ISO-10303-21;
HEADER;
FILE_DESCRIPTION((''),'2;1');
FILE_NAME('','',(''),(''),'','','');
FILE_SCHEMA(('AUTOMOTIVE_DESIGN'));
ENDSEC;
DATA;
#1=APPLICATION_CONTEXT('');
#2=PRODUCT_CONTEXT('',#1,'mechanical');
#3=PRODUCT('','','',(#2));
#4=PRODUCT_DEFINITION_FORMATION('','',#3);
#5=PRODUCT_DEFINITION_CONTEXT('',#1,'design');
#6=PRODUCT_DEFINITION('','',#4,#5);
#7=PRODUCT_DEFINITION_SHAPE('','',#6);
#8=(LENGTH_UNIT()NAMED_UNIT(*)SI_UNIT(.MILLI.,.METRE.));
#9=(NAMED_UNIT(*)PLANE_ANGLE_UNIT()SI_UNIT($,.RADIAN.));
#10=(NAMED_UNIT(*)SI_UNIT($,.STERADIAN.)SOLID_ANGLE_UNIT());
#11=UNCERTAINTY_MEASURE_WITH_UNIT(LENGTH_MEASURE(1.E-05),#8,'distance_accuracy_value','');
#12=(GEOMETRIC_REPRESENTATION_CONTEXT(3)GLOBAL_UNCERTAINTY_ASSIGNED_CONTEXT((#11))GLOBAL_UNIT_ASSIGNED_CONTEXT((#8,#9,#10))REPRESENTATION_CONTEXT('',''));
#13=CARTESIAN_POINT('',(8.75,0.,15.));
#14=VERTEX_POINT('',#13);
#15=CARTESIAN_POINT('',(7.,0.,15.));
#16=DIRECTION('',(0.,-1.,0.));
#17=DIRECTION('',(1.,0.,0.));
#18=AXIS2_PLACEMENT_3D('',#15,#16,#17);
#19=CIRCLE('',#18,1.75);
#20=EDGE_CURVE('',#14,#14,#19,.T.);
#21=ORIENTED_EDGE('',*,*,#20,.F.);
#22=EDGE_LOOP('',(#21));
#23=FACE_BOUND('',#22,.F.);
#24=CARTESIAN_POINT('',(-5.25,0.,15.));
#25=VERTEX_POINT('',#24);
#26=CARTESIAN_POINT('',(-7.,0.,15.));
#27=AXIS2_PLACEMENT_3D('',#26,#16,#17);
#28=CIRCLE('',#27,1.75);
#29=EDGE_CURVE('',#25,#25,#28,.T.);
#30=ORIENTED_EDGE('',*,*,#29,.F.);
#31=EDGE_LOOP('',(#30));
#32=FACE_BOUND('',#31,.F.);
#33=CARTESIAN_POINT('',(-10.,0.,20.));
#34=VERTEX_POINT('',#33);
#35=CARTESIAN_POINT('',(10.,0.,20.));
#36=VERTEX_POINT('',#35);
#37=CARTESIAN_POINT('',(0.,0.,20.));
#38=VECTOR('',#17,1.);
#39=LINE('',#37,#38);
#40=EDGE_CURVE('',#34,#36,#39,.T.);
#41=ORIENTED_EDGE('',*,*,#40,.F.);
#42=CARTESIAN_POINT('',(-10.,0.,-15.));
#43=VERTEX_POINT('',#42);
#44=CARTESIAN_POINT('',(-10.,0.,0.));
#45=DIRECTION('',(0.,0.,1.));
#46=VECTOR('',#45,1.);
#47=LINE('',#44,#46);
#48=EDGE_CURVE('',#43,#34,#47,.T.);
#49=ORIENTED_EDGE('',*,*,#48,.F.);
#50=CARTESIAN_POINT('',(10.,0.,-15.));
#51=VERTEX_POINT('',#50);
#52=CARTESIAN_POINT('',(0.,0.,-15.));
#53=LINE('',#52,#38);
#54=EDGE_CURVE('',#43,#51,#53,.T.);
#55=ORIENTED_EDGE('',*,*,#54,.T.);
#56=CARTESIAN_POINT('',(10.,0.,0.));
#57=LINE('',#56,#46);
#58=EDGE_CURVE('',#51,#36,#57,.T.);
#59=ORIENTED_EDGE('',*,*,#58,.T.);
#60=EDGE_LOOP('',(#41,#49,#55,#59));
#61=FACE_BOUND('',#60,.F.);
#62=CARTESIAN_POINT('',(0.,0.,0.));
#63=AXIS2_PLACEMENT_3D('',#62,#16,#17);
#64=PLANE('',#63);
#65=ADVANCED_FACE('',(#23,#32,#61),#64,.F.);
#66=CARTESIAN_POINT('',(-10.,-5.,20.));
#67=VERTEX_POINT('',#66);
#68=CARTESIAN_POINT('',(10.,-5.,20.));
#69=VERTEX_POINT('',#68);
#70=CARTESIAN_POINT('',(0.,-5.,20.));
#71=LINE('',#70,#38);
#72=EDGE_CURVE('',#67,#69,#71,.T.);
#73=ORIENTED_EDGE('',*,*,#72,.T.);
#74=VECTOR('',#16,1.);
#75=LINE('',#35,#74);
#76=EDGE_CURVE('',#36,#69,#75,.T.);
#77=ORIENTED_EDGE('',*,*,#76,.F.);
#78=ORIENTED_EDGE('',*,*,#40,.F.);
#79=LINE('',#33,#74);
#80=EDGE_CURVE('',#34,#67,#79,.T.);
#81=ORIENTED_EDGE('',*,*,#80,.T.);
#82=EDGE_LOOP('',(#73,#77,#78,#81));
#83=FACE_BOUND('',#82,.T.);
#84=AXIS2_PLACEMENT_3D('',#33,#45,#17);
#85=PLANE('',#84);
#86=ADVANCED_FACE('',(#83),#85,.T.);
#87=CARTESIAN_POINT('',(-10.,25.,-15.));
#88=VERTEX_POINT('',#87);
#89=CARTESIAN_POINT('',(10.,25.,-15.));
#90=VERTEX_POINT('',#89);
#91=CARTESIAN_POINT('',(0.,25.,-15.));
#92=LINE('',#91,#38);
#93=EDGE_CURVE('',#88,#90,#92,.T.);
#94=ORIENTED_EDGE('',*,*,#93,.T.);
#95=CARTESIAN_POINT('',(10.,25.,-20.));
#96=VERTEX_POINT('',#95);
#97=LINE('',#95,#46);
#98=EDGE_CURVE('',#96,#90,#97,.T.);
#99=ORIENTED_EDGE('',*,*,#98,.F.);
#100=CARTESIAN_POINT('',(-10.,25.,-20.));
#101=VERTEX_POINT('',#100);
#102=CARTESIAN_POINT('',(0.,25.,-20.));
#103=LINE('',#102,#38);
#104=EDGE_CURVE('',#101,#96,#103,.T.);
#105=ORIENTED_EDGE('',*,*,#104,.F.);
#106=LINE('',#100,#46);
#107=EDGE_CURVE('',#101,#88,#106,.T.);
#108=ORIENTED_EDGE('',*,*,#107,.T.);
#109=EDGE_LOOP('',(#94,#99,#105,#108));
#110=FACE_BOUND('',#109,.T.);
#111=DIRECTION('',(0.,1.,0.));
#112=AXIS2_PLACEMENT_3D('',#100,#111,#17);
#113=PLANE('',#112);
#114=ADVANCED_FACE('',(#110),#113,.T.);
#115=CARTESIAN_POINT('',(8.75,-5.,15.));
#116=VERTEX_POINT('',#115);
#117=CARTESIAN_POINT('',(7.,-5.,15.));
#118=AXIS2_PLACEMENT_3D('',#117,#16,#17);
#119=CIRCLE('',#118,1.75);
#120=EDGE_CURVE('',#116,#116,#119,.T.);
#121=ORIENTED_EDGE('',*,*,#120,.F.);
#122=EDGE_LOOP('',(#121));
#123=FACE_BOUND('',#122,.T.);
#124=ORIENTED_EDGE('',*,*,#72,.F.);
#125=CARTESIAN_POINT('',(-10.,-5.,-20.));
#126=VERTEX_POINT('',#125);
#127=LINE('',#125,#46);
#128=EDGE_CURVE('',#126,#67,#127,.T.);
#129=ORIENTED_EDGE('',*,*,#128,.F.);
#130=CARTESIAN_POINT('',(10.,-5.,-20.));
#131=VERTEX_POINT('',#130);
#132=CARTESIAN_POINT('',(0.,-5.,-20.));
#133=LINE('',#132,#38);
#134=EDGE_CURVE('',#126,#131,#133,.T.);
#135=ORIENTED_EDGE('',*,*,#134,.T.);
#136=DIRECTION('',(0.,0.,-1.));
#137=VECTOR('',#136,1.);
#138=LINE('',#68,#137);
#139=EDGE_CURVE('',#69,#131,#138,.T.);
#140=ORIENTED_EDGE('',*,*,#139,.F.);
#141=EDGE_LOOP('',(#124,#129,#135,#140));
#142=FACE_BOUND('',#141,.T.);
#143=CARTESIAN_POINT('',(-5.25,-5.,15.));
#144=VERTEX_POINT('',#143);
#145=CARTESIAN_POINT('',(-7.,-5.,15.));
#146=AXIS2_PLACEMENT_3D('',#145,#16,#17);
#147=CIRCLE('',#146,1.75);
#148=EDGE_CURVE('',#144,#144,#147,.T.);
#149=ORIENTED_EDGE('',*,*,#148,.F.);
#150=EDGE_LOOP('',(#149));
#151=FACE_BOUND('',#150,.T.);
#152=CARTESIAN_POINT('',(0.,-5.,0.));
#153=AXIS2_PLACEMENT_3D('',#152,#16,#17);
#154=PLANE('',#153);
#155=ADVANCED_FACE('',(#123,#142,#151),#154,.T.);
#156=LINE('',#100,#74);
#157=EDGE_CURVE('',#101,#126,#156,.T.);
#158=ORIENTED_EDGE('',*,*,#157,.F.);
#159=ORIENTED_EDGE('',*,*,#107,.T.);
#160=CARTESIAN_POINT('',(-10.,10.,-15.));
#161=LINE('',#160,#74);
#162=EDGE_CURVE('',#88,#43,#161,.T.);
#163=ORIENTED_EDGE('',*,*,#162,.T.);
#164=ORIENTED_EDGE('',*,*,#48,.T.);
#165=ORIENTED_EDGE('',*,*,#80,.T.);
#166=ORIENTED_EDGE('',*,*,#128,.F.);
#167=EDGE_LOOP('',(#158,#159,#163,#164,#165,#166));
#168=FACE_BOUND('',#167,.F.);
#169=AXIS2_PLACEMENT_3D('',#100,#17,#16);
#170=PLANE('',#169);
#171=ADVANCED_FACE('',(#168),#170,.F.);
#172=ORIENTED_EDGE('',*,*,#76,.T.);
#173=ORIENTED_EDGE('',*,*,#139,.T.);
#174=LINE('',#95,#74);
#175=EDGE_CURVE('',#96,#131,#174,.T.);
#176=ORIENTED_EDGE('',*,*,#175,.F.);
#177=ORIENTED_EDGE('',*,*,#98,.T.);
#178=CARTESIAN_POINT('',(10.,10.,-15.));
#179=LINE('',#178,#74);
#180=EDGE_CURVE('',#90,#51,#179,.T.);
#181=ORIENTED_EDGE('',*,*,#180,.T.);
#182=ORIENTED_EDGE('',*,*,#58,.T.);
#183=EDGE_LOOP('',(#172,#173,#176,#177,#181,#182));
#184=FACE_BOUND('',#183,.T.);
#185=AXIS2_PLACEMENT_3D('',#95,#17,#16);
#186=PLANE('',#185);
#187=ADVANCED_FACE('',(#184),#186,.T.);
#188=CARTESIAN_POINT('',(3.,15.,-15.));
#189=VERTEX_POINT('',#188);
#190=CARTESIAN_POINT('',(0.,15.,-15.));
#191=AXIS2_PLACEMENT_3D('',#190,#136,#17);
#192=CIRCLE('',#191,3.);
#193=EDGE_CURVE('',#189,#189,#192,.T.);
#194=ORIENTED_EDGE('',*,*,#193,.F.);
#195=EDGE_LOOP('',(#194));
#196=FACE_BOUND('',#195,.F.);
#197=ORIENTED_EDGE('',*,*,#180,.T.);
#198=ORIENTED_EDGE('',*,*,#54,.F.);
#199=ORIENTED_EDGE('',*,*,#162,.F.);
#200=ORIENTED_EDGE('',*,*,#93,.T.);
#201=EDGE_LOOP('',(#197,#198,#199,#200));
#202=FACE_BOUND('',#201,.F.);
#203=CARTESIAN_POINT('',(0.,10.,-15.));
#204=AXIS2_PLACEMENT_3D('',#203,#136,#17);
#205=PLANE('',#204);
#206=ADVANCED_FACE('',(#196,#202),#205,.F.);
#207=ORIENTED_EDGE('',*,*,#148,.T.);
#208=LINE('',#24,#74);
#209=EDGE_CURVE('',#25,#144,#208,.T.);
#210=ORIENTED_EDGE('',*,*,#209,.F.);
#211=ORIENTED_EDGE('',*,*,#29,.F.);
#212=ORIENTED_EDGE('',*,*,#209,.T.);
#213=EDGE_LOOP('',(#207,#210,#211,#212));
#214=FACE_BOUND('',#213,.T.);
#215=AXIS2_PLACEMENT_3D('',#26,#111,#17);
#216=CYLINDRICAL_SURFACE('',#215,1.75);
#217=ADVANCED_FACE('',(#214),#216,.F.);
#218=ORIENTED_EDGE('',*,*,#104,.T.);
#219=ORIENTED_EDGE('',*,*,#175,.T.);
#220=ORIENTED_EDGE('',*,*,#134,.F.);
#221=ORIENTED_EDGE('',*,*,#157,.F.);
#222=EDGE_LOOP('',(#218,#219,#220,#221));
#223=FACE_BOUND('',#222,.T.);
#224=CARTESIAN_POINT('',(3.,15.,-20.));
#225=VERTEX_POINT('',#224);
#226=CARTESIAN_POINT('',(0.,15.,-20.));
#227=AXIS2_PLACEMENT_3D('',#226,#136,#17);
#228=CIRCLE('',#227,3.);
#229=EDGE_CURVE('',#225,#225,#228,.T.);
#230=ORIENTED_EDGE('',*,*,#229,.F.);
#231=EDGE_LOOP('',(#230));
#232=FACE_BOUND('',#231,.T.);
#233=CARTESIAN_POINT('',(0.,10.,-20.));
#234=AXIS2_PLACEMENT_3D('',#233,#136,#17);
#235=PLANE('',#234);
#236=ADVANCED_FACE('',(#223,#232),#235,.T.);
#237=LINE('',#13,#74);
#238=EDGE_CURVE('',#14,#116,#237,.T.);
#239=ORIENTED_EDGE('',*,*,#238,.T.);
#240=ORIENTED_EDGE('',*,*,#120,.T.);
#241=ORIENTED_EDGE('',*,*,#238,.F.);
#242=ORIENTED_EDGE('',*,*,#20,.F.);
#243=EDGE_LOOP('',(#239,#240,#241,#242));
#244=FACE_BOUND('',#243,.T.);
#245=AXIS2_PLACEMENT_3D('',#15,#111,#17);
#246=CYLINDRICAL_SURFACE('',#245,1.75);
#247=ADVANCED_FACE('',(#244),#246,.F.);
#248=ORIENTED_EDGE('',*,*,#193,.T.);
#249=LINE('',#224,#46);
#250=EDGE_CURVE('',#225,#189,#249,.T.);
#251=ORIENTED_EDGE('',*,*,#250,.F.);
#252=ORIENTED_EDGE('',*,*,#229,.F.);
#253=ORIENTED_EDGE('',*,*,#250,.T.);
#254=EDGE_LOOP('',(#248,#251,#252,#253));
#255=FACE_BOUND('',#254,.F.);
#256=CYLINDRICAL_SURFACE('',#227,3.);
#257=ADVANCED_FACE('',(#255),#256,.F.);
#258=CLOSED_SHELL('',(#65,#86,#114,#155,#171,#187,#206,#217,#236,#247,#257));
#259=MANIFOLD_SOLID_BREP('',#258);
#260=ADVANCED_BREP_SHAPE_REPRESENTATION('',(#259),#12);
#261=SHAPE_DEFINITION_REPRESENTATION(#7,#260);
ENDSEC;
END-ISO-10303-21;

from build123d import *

# Parameters (mm, degrees)
F0_W     = 20
F0_H     = 40
F0_R     = 1.75
F1_DEPTH = 5
F2_W     = 20
F2_H     = 30
F2_R     = 3
F3_DEPTH = 5


with BuildPart() as f1:
    # F0 (on Front) → F1 (new body)
    with BuildSketch(Plane.XZ):
        Rectangle(F0_W, F0_H)
        with Locations((-7, 15)):
            Circle(F0_R, mode=Mode.SUBTRACT)
        with Locations((7, 15)):
            Circle(F0_R, mode=Mode.SUBTRACT)
    extrude(amount=F1_DEPTH)

    # F2 (on face) → F3 (join)
    with BuildSketch(Plane(origin=(0, 0, -20), x_dir=(1, 0, 0), z_dir=(0, 0, -1))):
        with Locations((0, -10)):
            Rectangle(F2_W, F2_H)
        with Locations((0, -15)):
            Circle(F2_R, mode=Mode.SUBTRACT)
    extrude(amount=-F3_DEPTH)


solid = f1.part
